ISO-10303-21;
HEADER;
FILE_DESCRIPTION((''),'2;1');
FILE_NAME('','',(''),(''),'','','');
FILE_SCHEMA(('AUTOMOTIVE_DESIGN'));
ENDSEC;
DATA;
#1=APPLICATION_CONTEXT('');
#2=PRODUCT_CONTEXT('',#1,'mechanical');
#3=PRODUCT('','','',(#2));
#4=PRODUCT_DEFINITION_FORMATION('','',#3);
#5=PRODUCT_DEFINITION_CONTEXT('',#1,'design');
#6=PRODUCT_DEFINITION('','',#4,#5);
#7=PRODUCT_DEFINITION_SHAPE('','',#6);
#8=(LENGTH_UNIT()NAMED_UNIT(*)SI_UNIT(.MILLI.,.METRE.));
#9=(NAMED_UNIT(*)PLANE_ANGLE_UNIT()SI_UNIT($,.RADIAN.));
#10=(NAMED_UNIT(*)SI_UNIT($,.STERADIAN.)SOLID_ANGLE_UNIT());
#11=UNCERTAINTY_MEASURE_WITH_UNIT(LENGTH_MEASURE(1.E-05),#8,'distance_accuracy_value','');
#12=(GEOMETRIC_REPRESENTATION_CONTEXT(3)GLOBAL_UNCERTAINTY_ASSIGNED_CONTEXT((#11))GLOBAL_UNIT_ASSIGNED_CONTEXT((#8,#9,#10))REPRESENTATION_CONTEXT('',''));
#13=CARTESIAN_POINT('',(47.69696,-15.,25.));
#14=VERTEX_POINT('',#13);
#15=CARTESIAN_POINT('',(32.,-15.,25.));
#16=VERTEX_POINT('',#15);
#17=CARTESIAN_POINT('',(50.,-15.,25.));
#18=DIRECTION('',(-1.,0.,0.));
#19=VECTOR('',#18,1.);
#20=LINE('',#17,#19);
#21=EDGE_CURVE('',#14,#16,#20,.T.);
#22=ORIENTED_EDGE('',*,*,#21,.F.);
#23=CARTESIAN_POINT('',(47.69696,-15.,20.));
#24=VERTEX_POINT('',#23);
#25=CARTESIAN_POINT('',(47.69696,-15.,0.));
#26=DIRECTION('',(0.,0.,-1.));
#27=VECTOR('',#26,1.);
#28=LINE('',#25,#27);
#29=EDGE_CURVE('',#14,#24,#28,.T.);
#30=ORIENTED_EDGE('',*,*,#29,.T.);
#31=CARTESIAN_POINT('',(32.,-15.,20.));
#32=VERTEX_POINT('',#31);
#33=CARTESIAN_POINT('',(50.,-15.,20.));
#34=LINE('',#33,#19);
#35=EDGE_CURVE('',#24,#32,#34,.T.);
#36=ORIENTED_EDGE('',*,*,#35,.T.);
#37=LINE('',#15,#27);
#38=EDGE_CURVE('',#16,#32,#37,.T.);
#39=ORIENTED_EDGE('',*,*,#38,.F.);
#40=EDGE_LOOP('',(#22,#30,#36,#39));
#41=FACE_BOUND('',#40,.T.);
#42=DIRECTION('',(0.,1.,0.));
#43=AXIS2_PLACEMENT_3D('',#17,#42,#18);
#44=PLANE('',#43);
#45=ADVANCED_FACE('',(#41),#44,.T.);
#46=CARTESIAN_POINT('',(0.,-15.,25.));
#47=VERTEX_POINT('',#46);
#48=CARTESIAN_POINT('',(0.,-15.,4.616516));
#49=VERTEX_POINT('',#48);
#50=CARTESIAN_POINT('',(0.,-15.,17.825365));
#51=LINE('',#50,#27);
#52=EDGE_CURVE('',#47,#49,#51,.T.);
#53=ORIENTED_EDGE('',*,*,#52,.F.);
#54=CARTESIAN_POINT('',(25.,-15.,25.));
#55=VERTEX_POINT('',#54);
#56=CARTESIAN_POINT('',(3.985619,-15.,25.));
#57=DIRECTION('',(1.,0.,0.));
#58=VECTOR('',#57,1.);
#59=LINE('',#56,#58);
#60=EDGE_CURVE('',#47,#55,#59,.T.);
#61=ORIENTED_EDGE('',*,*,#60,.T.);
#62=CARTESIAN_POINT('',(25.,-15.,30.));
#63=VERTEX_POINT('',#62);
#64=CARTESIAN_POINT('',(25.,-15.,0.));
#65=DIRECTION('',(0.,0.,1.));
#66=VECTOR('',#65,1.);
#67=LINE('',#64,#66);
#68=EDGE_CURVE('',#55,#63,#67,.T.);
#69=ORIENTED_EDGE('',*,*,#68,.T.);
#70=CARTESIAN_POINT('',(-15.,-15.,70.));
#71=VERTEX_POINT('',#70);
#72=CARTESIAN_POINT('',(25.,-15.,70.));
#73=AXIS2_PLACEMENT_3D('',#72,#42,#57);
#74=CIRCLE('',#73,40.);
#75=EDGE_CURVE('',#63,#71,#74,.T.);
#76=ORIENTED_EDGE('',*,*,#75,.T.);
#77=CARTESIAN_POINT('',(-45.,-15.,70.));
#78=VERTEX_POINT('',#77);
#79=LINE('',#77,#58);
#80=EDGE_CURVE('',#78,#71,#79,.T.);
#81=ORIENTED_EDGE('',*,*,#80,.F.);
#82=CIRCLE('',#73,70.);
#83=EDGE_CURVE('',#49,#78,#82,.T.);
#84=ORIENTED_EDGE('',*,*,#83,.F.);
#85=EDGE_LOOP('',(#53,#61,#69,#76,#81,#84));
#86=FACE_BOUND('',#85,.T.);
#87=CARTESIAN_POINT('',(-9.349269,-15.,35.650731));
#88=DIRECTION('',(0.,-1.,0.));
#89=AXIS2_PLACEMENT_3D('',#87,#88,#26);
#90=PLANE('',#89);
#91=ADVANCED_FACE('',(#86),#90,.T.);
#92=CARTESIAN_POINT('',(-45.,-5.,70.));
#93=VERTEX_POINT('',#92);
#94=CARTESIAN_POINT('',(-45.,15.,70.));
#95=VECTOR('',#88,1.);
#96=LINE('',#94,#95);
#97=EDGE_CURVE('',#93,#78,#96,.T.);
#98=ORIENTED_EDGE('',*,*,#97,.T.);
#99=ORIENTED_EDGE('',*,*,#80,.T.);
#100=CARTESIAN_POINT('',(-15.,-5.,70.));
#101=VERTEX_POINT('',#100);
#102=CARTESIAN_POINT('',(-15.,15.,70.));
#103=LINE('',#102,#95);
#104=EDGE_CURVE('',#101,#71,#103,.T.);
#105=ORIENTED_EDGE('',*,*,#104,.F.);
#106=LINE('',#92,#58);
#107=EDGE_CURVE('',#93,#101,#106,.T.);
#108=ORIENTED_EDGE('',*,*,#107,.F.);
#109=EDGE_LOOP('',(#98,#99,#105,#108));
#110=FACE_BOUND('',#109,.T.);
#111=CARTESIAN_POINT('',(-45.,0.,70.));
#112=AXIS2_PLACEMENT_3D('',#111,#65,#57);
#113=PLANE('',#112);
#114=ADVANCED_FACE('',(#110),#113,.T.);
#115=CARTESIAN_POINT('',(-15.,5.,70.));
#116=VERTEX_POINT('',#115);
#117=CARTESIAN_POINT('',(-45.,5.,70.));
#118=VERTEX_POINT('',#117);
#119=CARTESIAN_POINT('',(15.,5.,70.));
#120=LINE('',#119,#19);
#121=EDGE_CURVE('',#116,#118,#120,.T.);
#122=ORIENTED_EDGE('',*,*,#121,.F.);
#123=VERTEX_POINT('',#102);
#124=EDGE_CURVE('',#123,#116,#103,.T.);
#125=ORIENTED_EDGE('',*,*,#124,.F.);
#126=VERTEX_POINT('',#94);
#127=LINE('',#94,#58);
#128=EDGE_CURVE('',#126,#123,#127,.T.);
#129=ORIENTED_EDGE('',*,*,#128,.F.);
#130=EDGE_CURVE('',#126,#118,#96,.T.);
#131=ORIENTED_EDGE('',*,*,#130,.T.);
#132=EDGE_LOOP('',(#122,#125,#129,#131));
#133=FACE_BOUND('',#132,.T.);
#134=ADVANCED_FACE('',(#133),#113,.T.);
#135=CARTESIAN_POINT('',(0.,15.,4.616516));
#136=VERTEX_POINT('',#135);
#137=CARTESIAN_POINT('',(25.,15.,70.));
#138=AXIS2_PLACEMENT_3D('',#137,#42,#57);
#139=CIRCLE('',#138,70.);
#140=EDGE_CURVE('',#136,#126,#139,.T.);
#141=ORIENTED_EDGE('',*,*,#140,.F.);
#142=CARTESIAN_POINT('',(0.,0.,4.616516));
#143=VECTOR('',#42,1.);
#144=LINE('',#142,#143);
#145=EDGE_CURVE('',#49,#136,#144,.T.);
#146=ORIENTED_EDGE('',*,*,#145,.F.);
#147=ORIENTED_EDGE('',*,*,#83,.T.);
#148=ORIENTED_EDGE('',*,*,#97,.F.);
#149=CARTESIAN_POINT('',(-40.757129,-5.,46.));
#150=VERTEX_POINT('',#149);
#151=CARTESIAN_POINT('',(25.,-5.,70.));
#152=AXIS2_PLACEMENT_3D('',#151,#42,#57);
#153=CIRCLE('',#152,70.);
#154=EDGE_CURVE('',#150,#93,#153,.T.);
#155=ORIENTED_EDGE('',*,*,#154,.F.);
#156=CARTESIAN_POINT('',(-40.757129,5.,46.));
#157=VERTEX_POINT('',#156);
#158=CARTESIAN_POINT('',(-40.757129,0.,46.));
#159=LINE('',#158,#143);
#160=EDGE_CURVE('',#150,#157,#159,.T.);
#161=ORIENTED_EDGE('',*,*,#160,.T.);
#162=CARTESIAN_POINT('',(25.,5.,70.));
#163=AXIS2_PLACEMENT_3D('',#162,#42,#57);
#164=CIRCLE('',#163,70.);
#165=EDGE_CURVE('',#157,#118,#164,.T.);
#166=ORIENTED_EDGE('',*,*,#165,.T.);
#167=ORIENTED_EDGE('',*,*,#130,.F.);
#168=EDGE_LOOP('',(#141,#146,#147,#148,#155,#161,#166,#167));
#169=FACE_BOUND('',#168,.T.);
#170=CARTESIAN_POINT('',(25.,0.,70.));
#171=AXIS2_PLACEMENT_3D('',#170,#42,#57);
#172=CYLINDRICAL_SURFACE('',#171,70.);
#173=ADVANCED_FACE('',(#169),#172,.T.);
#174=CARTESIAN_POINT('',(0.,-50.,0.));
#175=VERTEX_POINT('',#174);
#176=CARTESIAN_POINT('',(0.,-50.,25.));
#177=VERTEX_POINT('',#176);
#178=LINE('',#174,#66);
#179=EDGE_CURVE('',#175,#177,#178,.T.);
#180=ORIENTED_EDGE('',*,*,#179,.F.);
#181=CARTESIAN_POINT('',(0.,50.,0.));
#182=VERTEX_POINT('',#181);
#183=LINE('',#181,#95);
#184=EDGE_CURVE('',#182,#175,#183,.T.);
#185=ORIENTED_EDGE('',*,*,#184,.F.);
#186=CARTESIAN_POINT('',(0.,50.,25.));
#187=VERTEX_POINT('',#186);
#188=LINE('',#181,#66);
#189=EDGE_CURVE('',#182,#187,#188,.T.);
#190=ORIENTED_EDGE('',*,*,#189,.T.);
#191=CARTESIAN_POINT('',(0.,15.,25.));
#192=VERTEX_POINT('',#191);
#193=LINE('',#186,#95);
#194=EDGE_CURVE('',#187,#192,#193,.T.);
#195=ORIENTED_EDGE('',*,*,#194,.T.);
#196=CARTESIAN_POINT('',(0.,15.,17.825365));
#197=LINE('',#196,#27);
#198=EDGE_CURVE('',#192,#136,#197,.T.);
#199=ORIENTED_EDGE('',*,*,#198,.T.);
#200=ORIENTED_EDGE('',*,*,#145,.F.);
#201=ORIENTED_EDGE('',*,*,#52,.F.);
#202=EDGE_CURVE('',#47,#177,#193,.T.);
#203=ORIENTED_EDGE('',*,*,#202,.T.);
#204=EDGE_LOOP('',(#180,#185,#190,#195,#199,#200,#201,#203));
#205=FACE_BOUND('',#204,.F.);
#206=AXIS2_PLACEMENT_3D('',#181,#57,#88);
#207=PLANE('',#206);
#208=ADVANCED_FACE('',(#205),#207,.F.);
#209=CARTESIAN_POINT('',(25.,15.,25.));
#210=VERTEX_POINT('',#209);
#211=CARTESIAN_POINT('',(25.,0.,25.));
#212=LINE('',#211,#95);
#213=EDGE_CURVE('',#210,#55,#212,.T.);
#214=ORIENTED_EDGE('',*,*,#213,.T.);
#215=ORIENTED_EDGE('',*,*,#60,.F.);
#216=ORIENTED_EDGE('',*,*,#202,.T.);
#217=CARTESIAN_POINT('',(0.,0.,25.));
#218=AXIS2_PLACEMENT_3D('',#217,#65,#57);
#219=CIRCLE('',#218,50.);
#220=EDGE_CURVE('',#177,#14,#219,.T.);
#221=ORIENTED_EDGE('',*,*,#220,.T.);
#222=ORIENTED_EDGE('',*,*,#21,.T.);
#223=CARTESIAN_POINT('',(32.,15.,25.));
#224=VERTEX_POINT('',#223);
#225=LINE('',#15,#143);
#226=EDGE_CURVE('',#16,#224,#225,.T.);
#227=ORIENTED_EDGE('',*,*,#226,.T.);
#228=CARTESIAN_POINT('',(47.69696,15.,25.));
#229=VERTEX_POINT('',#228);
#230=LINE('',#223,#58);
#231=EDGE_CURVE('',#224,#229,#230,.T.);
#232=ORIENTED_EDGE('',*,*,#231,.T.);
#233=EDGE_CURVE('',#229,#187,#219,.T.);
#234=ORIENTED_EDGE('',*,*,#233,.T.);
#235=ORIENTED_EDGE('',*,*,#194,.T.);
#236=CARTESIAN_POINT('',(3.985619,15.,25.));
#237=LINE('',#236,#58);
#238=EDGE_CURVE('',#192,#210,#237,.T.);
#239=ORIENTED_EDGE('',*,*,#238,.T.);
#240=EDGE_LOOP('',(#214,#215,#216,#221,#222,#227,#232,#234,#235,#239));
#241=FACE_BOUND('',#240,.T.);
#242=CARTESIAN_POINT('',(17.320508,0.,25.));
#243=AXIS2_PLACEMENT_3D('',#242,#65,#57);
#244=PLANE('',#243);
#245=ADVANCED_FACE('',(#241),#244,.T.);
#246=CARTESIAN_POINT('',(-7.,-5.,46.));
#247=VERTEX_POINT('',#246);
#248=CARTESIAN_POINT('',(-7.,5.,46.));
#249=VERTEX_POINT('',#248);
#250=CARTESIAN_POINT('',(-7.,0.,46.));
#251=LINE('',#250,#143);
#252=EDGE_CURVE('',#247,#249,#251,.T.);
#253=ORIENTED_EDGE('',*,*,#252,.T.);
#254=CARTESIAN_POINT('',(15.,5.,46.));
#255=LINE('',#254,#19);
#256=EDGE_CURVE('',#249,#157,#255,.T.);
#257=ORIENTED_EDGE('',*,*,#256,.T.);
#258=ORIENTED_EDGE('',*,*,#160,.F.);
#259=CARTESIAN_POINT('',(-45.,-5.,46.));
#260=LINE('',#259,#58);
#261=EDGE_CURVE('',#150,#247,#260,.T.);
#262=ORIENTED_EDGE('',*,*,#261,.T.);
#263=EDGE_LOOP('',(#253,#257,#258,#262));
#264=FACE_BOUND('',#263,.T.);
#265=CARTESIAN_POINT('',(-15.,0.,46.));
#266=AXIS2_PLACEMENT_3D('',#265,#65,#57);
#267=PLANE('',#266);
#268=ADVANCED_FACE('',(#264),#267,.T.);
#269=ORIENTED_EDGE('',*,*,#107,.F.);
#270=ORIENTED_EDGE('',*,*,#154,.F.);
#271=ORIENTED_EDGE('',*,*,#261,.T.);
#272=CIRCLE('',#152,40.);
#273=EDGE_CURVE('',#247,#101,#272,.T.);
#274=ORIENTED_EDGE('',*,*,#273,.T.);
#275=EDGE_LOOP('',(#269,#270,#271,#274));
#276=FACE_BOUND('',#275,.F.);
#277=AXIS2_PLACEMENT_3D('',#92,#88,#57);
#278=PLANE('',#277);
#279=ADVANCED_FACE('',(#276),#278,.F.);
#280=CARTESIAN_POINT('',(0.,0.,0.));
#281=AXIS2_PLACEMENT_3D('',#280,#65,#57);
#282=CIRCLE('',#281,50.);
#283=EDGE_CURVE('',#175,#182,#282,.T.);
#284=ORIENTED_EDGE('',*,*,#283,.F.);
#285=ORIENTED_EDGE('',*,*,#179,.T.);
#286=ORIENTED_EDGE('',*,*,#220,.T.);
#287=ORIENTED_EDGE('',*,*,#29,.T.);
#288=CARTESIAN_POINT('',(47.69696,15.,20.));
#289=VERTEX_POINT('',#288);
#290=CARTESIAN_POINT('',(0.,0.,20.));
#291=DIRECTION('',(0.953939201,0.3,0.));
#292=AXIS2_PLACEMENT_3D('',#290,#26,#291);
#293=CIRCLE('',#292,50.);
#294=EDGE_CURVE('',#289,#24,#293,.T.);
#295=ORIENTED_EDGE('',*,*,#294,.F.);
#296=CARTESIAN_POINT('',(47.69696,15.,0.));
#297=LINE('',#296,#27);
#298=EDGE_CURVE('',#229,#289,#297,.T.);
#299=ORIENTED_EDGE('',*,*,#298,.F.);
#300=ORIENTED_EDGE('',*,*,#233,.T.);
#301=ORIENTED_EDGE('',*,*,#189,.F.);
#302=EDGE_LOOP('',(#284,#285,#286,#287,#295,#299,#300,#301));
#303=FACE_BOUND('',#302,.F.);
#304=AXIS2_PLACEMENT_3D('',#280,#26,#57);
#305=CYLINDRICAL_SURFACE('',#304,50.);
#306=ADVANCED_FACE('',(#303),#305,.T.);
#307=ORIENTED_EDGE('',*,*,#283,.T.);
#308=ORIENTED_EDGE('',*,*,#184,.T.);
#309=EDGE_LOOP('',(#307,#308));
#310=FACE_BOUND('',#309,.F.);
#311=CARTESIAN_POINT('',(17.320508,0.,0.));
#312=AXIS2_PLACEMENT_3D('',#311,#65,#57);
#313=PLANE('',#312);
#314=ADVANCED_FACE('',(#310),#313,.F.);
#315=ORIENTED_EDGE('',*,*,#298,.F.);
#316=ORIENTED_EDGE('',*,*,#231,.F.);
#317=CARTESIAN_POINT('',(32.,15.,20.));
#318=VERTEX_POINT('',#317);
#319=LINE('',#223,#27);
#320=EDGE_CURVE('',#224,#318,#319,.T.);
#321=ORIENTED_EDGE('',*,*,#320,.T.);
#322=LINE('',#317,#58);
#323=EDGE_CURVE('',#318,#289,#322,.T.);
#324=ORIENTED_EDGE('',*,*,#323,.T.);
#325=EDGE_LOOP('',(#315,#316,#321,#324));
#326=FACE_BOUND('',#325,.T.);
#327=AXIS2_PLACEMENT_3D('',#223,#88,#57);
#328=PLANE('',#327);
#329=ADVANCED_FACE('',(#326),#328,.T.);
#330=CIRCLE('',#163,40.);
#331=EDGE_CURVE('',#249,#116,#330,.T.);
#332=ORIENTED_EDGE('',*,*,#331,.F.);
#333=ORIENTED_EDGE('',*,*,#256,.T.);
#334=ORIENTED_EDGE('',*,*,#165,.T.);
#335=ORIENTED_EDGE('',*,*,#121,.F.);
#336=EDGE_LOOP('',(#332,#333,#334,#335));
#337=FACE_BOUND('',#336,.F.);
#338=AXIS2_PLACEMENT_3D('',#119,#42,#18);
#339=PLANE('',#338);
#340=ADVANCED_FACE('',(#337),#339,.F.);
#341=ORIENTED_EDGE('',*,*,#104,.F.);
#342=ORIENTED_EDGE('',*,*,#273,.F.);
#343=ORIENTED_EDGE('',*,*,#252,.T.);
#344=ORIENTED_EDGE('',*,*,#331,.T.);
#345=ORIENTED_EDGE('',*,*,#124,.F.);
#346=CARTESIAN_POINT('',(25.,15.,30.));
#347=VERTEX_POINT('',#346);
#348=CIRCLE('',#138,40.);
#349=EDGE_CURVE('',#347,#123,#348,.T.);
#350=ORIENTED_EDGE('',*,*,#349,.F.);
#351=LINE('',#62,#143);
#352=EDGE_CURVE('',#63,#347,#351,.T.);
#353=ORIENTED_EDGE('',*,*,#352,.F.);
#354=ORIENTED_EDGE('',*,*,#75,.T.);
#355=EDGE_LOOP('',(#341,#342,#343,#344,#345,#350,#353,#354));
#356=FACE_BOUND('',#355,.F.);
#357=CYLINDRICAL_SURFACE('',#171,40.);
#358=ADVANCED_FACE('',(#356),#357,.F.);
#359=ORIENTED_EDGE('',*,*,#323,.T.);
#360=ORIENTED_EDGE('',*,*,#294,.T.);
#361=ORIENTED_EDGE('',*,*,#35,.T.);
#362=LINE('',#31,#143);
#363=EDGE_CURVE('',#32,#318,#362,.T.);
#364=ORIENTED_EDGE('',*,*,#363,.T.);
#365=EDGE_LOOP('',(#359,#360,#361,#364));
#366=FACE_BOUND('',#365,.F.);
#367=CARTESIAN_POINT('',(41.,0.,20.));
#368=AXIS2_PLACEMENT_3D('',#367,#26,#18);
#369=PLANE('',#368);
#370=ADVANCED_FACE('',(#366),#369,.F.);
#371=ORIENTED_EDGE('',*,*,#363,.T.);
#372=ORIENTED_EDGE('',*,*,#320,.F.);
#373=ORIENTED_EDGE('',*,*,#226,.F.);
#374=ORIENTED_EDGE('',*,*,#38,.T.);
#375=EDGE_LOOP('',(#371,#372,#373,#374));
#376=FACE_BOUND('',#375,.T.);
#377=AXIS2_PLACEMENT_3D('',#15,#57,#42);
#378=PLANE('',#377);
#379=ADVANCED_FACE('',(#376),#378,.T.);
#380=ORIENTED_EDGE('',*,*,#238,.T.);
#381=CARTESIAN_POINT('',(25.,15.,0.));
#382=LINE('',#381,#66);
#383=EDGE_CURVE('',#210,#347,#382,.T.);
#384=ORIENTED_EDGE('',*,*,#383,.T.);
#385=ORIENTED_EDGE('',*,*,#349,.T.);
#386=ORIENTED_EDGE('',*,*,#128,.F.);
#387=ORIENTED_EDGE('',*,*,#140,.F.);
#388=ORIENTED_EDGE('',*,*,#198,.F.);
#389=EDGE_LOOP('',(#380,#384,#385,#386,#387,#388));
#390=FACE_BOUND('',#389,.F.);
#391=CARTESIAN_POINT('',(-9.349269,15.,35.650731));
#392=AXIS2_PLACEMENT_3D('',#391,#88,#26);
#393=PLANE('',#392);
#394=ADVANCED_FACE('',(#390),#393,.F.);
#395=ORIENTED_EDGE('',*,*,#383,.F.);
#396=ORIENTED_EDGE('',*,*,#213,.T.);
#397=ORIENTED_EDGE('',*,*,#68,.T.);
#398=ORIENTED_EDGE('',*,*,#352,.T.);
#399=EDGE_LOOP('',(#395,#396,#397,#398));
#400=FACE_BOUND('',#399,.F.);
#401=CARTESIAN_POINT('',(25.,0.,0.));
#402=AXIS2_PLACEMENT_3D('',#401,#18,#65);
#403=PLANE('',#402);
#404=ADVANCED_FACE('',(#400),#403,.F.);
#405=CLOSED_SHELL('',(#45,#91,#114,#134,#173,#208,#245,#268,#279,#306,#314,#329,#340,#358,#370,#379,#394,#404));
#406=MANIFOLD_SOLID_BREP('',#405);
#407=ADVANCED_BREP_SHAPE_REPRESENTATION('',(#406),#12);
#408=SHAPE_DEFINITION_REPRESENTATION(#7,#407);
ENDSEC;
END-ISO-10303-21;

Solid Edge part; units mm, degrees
sketch "Sketch1" plane through (0, 0, 0) normal (0, 0, 1) x (1, 0, 0)
  arc A0 (0, -50) -> (0, 50) centre (0, 0) ccw
  line L0 (0, 50) -> (0, -50)
extrude "Protrusion1" add sketch "Sketch1" along normal blind 25
sketch "Sketch2" plane through (0, 0, 0) normal (0, -1, 0) x (1, 0, 0)
  arc A0 (25, 30) -> (-15, 70) centre (25, 70) cw
  line L0 (-45, 70) -> (-15, 70)
  arc A1 (25, 0) -> (-45, 70) centre (25, 70) cw
  line L1 (25, 0) -> (25, 30)
extrude "ExtrudedProtrusion_3" add sketch "Sketch2" along normal mid plane 30
sketch "Sketch3" plane through (-30, 0, 70) normal (0, 0, 1) x (1, 0, 0)
  line L0 (45, 5) -> (-15, 5)
  line L1 (-15, 5) -> (-15, -5)
  line L2 (-15, -5) -> (45, -5)
  line L3 (45, -5) -> (45, 5)
extrude "ExtrudedCutout_1" cut sketch "Sketch3" against normal blind 24
sketch "Sketch4" plane through (25, 0, 25) normal (0, 0, 1) x (0, 1, 0)
  line L0 (15, -7) -> (15, -25)
  line L1 (15, -25) -> (-15, -25)
  line L2 (-15, -25) -> (-15, -7)
  line L3 (-15, -7) -> (15, -7)
extrude "ExtrudedCutout_2" cut sketch "Sketch4" against normal blind 5
